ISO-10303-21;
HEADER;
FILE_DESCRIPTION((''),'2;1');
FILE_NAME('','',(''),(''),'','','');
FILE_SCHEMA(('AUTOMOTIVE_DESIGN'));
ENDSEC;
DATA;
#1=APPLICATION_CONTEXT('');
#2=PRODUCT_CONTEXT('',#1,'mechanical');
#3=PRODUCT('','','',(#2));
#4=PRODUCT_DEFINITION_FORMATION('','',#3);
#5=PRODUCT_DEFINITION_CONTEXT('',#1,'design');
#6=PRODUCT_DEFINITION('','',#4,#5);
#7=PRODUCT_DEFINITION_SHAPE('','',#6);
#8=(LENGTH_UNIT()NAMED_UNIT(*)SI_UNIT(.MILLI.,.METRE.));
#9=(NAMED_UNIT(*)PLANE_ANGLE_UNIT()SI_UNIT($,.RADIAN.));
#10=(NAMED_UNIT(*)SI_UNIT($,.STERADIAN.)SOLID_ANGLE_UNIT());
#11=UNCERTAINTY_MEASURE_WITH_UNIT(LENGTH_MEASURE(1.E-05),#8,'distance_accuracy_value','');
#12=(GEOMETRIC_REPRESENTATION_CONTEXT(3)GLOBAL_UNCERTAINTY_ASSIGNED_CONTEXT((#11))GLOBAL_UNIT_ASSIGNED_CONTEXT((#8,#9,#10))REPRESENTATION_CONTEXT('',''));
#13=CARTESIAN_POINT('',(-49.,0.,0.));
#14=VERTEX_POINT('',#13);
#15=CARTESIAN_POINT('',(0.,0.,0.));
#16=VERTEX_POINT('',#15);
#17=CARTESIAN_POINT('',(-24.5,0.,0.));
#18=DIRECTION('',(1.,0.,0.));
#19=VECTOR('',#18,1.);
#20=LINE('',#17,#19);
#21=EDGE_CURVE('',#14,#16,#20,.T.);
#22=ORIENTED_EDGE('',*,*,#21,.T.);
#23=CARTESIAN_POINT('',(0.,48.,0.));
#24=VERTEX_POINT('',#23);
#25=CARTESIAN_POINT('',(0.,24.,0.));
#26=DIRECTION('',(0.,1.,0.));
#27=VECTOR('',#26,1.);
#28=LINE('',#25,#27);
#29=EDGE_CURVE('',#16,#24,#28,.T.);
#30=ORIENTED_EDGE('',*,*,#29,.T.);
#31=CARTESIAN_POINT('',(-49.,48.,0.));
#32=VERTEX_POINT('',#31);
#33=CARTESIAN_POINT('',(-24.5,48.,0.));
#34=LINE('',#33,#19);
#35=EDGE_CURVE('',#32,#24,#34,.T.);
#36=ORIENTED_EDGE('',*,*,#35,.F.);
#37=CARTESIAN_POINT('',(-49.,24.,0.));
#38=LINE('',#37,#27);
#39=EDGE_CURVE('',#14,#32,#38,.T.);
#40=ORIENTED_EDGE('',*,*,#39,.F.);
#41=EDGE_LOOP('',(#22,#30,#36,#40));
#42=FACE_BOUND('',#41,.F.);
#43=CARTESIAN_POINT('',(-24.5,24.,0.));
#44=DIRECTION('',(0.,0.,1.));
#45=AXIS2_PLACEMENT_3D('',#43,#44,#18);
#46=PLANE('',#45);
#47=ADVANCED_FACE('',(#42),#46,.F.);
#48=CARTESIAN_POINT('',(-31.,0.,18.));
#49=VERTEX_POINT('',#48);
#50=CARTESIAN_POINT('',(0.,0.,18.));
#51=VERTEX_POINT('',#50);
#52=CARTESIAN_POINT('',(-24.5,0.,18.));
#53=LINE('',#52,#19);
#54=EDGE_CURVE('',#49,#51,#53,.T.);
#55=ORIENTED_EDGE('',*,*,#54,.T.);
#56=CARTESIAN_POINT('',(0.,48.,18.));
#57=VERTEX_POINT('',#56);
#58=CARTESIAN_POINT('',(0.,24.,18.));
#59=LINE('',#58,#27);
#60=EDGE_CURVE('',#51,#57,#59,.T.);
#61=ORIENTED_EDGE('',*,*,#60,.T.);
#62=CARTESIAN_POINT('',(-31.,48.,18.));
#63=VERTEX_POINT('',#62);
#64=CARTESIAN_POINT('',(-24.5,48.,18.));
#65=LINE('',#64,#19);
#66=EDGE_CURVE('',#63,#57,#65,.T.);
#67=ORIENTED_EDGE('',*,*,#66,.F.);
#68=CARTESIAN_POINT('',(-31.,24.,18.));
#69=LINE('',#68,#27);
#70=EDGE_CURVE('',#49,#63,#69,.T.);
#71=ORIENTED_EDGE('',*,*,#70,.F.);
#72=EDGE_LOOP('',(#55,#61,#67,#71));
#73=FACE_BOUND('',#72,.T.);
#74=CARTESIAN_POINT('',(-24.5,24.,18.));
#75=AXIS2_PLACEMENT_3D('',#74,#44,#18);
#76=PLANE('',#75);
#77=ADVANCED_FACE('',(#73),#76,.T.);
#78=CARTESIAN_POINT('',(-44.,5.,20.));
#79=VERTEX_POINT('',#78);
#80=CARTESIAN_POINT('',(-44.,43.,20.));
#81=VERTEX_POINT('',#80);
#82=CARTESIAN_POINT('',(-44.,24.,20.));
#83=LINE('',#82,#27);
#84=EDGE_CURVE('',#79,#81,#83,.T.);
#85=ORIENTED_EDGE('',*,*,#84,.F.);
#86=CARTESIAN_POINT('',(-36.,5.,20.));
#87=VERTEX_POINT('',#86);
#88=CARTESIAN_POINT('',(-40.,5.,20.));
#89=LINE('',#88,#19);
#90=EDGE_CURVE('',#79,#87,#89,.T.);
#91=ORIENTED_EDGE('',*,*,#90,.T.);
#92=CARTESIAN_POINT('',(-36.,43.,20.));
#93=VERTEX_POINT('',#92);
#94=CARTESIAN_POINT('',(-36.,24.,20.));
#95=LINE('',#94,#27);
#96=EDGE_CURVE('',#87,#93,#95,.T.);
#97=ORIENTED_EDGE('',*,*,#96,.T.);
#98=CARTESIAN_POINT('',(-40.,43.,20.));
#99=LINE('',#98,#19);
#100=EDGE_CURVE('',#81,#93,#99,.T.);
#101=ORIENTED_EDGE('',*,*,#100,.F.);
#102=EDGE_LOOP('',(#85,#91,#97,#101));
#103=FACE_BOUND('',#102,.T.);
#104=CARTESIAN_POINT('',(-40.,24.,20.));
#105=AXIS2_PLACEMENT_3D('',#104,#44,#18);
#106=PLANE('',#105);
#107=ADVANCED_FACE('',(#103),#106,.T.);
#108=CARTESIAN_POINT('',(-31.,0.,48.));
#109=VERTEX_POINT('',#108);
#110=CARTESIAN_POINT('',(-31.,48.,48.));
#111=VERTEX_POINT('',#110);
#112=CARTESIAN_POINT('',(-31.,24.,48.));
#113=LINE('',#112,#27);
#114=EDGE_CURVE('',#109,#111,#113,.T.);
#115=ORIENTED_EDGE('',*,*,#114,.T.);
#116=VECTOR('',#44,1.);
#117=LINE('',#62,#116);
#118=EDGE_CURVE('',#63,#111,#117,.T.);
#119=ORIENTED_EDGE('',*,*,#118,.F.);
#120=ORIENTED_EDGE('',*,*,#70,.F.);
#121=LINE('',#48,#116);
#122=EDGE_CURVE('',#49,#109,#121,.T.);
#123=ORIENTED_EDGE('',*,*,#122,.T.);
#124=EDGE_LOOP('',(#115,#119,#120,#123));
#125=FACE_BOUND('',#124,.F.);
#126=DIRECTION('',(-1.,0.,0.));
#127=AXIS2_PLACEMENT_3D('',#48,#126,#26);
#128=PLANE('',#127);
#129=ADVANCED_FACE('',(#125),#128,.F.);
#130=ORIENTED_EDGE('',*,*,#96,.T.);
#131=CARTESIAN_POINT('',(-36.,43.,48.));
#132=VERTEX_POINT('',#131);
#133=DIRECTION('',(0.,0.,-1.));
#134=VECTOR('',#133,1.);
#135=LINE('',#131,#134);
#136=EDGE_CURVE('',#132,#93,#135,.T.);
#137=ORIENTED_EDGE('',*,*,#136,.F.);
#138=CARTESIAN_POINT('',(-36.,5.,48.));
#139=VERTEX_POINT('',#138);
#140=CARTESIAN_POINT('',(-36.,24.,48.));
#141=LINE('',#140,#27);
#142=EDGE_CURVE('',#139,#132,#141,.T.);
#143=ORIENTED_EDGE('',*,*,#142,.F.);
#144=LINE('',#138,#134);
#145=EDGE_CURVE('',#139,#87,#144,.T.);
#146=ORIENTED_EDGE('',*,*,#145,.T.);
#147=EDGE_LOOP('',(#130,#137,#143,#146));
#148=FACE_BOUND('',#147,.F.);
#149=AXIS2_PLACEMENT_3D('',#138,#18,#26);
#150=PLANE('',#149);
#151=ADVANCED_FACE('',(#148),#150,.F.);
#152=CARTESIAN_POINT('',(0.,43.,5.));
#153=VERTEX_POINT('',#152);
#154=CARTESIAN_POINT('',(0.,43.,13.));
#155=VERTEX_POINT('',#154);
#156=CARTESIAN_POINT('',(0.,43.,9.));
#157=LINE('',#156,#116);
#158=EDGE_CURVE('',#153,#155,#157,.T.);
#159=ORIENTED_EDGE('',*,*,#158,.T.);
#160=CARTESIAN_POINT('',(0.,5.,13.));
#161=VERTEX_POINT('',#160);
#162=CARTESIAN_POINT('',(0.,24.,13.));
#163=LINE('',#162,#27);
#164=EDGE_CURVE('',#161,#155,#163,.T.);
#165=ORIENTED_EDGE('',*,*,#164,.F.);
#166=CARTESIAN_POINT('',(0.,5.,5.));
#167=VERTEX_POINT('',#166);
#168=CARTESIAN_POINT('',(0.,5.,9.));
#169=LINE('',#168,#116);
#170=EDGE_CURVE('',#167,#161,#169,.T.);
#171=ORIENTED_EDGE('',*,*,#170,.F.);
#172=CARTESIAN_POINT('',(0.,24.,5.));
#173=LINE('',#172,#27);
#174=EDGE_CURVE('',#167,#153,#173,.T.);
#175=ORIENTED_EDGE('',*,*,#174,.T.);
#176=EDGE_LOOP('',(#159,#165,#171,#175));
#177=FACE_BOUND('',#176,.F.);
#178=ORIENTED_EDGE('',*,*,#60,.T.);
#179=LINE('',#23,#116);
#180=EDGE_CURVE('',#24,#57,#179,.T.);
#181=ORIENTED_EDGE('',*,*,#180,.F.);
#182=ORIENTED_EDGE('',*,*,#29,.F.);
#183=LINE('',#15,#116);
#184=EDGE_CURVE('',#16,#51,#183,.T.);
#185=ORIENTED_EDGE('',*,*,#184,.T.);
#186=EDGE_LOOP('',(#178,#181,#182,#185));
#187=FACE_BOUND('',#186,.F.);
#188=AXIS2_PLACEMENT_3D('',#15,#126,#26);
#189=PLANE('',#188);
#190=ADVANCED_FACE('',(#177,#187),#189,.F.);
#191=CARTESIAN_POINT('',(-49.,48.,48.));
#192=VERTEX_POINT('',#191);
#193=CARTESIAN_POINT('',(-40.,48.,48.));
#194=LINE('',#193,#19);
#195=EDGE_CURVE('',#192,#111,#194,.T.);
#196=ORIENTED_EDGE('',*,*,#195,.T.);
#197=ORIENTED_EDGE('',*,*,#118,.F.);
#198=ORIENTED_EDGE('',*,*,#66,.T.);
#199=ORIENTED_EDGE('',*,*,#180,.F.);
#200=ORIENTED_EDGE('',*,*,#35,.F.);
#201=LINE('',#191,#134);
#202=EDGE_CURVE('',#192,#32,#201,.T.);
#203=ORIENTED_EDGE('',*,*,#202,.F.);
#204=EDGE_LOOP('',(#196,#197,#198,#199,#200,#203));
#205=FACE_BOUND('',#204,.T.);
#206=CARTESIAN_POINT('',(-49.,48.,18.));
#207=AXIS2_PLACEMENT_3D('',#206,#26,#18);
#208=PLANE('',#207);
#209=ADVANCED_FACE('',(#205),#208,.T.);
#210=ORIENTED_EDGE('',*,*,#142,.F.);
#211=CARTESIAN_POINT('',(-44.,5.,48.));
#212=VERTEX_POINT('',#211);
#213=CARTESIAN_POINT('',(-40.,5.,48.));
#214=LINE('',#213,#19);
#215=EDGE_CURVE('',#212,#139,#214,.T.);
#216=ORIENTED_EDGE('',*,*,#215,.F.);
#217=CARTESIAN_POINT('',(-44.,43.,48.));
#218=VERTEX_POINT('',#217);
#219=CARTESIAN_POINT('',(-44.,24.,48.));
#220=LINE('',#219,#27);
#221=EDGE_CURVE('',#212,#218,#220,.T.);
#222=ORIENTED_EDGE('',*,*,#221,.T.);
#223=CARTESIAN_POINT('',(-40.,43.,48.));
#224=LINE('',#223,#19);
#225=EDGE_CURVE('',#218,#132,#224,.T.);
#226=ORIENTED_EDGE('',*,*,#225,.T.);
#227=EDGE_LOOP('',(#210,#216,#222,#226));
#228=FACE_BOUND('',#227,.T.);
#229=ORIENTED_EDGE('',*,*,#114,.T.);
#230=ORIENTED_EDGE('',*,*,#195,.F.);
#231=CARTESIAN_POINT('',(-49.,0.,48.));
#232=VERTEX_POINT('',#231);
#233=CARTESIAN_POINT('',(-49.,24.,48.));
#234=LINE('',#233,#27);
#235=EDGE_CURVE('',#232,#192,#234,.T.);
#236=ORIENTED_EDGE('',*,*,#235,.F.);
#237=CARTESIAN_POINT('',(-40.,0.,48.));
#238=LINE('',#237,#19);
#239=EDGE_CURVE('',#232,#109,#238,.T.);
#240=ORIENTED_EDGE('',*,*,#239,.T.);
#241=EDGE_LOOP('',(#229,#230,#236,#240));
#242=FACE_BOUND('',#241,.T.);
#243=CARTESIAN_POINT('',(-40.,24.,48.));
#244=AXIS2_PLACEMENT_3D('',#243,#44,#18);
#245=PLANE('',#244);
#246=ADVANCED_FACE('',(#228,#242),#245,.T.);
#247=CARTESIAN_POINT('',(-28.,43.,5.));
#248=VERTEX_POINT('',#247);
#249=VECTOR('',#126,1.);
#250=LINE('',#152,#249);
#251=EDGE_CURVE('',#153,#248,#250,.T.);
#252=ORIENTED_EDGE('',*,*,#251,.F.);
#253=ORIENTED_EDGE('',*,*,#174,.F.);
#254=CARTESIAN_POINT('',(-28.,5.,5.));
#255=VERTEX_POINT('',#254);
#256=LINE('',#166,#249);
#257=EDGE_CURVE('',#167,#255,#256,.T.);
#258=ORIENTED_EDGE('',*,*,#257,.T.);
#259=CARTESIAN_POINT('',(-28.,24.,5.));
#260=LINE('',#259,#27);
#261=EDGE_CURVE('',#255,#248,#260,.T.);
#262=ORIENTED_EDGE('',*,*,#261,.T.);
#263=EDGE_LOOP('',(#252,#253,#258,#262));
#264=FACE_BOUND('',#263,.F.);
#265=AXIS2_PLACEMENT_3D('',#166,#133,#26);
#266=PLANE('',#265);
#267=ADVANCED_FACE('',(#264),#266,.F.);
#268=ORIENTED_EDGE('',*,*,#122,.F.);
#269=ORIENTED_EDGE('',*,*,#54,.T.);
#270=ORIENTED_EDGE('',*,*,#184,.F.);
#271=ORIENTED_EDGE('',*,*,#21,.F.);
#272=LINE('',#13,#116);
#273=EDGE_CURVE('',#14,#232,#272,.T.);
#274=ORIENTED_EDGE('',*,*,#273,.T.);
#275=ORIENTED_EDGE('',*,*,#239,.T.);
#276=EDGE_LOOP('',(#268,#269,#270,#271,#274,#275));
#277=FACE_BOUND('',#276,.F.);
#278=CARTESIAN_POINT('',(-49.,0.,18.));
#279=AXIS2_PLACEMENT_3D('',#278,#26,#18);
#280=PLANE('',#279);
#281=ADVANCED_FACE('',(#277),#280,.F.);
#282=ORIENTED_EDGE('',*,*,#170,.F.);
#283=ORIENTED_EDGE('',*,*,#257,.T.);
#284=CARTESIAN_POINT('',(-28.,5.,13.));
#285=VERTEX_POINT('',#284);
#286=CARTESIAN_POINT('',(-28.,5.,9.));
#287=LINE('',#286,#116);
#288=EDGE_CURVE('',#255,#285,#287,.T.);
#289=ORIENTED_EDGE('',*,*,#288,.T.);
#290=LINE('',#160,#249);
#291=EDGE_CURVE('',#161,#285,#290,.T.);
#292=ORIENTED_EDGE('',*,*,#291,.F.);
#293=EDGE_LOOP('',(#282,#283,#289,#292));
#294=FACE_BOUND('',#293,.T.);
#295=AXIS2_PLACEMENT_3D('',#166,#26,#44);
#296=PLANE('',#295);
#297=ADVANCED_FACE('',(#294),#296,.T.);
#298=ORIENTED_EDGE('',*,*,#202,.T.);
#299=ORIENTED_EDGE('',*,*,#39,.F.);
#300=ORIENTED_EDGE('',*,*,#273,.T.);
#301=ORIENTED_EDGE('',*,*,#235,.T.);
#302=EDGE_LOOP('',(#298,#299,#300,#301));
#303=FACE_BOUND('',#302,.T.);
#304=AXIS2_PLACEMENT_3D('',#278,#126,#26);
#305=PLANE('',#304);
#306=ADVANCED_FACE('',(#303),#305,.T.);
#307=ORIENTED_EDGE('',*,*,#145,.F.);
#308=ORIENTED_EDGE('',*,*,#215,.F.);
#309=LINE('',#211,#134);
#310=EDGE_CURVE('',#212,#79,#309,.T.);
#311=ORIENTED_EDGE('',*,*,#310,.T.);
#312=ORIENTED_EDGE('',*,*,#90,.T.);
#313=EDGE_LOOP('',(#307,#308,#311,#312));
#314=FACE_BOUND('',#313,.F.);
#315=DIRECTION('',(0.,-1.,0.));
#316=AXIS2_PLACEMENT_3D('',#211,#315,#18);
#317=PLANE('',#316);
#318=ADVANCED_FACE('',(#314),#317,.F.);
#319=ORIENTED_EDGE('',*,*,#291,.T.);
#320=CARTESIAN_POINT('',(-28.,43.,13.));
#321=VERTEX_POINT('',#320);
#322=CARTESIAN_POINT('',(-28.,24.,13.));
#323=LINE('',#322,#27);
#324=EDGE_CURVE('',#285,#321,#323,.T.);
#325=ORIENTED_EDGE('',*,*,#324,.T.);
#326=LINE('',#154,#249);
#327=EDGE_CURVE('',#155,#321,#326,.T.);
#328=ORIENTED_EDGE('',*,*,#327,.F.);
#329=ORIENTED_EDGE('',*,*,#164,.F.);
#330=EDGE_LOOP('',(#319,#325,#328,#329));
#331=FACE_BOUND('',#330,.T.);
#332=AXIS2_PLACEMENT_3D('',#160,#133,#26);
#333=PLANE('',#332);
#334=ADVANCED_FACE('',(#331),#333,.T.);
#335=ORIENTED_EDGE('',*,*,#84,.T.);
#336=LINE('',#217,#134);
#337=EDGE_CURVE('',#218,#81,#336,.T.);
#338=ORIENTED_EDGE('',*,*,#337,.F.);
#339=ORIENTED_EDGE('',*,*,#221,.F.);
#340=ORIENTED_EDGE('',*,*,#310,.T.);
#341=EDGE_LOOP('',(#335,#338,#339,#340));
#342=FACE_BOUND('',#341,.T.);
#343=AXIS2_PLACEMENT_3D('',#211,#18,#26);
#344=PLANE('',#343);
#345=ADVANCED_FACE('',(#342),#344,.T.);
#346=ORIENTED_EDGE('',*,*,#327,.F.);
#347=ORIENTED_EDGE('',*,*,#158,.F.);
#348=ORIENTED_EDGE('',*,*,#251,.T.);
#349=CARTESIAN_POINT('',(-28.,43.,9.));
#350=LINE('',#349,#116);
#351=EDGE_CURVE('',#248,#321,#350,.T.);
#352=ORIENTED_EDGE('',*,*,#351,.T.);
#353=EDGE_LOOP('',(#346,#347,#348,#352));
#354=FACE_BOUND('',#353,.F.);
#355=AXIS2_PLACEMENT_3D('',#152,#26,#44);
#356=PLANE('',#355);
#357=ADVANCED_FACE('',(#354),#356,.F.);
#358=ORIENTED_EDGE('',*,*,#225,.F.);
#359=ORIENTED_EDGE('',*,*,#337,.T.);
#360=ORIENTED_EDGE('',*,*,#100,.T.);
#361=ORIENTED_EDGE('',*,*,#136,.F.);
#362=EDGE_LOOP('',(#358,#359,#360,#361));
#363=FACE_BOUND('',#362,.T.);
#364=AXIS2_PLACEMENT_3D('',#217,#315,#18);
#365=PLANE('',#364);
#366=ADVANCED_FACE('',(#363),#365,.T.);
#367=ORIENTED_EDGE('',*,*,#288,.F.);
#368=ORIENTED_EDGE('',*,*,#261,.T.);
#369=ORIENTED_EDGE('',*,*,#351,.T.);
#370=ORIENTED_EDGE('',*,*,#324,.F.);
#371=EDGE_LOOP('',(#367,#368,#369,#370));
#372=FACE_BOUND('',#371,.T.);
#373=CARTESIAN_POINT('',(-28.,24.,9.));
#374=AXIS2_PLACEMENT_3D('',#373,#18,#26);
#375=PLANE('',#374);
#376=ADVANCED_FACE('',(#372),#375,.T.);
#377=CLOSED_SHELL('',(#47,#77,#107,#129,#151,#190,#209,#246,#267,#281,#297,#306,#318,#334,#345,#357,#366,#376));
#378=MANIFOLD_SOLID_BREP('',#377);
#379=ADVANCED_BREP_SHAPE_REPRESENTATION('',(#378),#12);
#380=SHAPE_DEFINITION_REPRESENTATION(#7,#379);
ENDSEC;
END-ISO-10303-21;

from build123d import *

# Parameters (mm, degrees)
F0_W     = 49
F0_H     = 48
F1_DEPTH = 18
F2_W     = 38
F2_H     = 8
F3_DEPTH = 28
F4_W     = 18
F4_H     = 48
F5_DEPTH = 30
F6_W     = 8
F6_H     = 38
F7_DEPTH = 28


with BuildPart() as f1:
    # F0 (on Top) → F1 (new body)
    with BuildSketch(Plane.XY):
        with Locations((-24.5, 24)):
            Rectangle(F0_W, F0_H)
    extrude(amount=F1_DEPTH)

    # F2 (on face) → F3 (cut)
    with BuildSketch(Plane.YZ):
        with Locations((24, 9)):
            Rectangle(F2_W, F2_H)
    extrude(amount=-F3_DEPTH, mode=Mode.SUBTRACT)

    # F4 (on face) → F5 (join)
    with BuildSketch(Plane.XY.offset(18)):
        with Locations((-40, 24)):
            Rectangle(F4_W, F4_H)
    extrude(amount=F5_DEPTH)

    # F6 (on face) → F7 (cut)
    with BuildSketch(Plane.XY.offset(48)):
        with Locations((-40, 24)):
            Rectangle(F6_W, F6_H)
    extrude(amount=-F7_DEPTH, mode=Mode.SUBTRACT)


solid = f1.part
